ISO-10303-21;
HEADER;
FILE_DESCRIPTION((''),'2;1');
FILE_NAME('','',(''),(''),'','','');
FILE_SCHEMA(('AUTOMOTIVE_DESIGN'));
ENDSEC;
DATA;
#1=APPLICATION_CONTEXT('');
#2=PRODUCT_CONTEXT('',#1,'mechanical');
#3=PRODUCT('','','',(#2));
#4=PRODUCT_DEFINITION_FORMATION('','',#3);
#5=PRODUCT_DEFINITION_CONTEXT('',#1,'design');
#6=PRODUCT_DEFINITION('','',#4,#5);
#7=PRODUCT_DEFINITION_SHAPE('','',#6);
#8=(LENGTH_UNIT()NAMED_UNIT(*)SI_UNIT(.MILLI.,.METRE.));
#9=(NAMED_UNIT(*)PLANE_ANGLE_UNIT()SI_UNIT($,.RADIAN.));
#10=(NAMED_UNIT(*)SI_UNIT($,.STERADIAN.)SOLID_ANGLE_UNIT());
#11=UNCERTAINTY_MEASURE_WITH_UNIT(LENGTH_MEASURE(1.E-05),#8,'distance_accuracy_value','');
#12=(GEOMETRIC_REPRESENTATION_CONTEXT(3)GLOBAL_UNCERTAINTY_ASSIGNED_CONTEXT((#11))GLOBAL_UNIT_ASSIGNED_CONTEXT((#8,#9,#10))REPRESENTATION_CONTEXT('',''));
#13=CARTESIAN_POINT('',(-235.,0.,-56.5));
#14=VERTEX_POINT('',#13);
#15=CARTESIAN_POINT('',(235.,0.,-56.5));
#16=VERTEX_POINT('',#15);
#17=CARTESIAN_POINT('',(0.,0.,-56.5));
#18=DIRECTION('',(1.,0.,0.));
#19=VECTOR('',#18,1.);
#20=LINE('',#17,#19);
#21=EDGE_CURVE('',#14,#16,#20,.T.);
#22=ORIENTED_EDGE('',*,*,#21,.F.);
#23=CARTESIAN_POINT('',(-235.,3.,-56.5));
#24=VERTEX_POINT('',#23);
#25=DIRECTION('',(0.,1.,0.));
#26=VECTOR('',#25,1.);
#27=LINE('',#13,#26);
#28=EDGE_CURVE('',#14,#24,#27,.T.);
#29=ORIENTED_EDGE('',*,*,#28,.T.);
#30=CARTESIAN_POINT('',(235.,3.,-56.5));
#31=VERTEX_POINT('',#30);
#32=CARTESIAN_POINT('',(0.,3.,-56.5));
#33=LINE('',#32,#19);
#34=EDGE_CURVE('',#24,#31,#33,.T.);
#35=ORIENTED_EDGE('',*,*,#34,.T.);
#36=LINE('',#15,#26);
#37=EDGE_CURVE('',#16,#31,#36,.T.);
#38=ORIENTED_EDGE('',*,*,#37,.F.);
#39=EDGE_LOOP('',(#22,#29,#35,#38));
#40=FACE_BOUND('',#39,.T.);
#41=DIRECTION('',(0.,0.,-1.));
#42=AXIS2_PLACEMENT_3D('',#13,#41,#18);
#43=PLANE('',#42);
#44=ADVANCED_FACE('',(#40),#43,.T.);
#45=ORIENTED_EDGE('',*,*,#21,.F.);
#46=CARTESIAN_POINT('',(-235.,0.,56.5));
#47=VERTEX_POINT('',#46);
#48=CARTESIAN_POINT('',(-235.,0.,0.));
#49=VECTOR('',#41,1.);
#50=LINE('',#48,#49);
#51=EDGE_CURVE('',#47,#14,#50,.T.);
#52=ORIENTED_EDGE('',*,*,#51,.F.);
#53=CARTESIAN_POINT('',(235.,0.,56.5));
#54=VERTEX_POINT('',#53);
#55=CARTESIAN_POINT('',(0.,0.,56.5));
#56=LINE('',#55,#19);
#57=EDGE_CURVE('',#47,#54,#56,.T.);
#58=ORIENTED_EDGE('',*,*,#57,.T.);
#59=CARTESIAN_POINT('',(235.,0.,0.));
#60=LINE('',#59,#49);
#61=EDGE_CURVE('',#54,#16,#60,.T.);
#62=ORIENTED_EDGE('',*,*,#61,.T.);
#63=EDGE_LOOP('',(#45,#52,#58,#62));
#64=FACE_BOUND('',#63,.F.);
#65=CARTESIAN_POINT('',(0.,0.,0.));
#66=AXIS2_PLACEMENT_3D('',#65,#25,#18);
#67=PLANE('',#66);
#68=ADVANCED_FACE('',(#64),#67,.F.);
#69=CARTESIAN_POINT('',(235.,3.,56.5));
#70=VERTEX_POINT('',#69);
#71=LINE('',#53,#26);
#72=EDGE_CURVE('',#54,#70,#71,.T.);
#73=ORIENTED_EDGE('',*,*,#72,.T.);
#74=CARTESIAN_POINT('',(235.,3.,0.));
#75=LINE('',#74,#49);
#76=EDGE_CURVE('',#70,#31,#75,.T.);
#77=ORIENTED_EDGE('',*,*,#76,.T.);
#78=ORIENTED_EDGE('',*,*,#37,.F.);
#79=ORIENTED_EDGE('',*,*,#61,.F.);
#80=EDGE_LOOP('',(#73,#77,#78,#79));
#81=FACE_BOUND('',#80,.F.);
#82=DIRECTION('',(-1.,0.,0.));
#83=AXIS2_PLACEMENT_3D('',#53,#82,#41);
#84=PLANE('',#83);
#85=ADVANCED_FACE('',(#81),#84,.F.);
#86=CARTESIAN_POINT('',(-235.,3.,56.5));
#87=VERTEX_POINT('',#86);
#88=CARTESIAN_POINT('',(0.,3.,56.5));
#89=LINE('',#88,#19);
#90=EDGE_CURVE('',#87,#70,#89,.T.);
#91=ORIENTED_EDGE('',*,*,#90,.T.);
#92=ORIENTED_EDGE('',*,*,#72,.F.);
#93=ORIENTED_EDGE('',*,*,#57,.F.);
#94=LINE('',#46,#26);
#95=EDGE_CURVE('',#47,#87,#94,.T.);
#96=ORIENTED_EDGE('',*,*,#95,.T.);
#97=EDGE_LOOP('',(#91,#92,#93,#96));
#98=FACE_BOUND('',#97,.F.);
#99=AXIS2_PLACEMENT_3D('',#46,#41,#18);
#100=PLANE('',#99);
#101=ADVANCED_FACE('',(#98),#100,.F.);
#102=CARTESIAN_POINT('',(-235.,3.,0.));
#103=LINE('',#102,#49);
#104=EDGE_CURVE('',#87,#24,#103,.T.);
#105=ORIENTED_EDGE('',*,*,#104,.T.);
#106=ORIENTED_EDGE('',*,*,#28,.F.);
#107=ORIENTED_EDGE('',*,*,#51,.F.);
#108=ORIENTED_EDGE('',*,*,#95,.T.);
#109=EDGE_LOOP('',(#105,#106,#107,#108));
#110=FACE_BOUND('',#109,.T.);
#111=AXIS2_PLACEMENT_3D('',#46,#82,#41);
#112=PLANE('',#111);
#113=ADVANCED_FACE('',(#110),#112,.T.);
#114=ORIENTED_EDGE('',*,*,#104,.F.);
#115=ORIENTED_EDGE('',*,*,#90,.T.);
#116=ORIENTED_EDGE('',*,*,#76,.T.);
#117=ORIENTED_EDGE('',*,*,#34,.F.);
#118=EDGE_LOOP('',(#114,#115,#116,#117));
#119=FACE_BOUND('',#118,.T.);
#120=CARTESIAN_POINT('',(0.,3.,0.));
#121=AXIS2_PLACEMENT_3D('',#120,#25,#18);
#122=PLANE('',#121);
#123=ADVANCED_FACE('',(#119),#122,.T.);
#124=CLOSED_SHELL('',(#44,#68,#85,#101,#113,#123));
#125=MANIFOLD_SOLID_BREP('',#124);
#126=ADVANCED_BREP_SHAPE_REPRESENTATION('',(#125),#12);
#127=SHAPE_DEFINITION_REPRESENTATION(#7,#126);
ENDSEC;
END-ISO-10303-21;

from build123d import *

# Parameters (mm, degrees)
SKETCH1_W      = 470
SKETCH1_H      = 113
EXTRUDE1_DEPTH = 3


with BuildPart() as part:
    # Sketch1 → Extrude1 (new body)
    with BuildSketch(Plane(origin=(0, 0, 0), x_dir=(1, 0, 0), z_dir=(0, 1, 0))):
        Rectangle(SKETCH1_W, SKETCH1_H)
    extrude(amount=EXTRUDE1_DEPTH)


solid = part.part
